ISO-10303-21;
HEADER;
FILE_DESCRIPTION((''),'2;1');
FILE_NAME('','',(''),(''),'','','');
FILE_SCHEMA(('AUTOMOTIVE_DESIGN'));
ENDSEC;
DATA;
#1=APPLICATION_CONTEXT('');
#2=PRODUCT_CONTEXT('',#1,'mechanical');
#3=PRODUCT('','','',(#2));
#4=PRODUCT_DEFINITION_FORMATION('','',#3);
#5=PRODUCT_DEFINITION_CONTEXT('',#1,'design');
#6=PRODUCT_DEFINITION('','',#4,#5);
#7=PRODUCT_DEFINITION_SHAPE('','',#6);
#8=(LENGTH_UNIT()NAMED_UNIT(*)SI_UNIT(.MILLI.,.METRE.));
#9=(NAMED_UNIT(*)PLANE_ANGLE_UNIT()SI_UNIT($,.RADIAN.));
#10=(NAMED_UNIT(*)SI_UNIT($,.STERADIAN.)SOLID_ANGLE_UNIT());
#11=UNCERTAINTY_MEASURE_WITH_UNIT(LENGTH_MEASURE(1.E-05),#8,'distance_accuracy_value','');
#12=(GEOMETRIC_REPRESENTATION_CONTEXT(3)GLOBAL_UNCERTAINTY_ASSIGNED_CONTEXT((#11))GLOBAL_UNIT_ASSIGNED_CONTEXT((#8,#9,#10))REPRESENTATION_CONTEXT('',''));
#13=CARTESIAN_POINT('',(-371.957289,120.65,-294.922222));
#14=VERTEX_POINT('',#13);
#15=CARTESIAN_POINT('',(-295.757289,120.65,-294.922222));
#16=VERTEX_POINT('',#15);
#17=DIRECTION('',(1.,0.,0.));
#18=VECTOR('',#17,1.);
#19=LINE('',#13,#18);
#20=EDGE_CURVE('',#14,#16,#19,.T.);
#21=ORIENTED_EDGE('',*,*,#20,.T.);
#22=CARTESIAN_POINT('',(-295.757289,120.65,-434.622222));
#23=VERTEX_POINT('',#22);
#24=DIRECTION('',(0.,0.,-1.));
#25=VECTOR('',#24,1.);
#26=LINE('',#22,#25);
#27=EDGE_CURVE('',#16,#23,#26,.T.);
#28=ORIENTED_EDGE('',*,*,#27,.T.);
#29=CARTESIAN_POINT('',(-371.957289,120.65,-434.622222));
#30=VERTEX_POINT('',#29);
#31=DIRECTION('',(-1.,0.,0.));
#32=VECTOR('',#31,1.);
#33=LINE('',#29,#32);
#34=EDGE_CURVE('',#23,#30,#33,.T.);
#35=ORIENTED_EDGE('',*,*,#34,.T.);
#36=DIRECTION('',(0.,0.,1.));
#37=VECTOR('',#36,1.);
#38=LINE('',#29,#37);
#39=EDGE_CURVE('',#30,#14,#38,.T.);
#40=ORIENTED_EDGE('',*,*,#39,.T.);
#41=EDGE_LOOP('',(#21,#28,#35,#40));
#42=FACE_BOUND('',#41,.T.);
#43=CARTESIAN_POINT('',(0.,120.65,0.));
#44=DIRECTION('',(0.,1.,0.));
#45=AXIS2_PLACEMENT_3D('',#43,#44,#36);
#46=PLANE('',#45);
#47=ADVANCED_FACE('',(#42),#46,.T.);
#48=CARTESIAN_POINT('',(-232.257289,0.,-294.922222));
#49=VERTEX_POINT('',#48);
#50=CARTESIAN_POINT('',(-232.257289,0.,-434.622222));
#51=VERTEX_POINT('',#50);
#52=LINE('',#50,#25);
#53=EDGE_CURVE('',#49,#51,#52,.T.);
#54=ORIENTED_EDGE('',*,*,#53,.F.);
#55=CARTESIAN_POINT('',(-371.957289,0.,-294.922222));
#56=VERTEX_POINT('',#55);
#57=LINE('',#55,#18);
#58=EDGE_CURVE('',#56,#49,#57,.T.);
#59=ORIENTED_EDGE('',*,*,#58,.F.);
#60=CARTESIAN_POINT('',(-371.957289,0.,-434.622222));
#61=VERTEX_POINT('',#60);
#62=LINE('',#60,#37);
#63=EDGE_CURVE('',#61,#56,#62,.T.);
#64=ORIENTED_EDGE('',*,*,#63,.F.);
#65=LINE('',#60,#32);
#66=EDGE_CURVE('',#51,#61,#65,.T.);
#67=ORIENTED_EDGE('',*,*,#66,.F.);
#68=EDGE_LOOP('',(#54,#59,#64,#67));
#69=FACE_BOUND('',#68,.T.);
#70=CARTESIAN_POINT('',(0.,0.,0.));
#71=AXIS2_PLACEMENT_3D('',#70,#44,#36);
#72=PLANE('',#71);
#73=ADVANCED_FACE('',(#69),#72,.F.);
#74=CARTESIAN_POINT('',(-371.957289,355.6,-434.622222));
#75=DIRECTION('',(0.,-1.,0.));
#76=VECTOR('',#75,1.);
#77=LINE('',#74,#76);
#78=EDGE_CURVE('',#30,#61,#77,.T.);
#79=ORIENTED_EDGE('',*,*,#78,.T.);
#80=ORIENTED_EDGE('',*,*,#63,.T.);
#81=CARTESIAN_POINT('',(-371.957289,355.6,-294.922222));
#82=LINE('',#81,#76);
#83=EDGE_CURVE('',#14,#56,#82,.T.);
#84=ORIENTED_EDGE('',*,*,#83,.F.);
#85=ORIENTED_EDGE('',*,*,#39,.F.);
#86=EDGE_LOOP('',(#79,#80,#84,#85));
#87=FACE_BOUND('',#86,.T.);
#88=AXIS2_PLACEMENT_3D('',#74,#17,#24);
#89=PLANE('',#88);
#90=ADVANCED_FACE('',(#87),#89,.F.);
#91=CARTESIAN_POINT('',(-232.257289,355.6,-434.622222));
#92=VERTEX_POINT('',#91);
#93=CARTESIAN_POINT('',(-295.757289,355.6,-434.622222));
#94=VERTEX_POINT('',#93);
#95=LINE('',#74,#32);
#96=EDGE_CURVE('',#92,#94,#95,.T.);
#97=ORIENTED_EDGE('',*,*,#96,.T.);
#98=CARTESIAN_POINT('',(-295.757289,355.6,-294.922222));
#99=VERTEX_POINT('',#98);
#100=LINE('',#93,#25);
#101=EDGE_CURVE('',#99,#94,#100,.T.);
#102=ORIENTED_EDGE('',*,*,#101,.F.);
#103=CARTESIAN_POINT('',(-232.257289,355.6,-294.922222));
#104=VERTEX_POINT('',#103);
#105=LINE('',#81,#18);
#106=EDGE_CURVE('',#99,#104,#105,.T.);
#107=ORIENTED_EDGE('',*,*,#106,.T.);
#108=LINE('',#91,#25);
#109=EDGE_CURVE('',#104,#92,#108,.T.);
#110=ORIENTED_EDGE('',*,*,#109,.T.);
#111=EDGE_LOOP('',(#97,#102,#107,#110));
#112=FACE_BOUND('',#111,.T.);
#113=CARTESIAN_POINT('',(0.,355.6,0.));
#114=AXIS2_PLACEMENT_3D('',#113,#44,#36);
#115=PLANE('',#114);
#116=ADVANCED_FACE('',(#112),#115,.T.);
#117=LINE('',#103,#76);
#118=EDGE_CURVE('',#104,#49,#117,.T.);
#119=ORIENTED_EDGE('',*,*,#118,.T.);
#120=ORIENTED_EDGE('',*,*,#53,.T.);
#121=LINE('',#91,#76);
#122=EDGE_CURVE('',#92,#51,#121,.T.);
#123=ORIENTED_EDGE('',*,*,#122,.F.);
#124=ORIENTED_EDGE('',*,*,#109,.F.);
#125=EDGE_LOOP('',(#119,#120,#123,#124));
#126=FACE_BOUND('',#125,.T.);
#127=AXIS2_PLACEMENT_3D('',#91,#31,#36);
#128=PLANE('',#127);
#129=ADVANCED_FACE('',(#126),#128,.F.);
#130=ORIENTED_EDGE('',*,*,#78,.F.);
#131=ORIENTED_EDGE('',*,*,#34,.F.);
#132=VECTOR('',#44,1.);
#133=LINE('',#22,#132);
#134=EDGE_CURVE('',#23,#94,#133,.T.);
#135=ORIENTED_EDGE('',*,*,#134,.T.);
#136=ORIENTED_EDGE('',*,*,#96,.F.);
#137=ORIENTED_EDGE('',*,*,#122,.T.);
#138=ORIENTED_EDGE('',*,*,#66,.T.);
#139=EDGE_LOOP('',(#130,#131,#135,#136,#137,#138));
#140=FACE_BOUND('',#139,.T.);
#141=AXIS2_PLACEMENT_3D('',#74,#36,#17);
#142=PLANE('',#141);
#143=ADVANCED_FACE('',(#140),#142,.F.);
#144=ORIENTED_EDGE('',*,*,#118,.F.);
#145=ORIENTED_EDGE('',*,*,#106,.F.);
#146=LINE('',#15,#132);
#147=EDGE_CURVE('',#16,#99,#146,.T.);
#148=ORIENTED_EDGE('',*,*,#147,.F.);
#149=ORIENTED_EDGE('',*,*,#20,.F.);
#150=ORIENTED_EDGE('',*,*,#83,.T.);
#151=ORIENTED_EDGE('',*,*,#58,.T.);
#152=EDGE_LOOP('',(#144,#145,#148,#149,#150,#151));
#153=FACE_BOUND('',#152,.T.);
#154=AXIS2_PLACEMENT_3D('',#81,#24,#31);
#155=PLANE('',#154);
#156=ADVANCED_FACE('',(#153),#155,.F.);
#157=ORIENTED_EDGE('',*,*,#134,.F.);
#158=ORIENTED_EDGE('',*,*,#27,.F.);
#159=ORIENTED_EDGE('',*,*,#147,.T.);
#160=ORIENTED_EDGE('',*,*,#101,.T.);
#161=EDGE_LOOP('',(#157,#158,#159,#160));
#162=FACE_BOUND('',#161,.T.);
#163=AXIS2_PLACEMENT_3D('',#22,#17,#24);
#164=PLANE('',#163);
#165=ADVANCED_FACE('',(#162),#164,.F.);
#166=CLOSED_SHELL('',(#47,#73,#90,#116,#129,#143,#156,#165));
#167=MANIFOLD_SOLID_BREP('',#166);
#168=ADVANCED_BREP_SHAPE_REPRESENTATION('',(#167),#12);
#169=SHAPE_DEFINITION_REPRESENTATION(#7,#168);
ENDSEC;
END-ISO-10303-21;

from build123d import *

# Parameters (mm, degrees)
SKETCH1_W           = 139.7
SKETCH1_H           = 139.7
BOSS_EXTRUDE1_DEPTH = 355.6
SKETCH3_W           = 76.2
SKETCH3_H           = 139.7
CUT_EXTRUDE1_DEPTH  = 234.95


with BuildPart() as part:
    # Sketch1 → Boss-Extrude1 (new body)
    with BuildSketch(Plane(origin=(0, 0, 0), x_dir=(1, 0, 0), z_dir=(0, 1, 0))):
        with Locations((-302.107289173, 364.772222222)):
            Rectangle(SKETCH1_W, SKETCH1_H)
    extrude(amount=BOSS_EXTRUDE1_DEPTH)

    # Sketch3 → Cut-Extrude1 (cut)
    with BuildSketch(Plane(origin=(0, 355.6, 0), x_dir=(1, 0, 0), z_dir=(0, 1, 0))):
        with Locations((-333.857289173, 364.772222222)):
            Rectangle(SKETCH3_W, SKETCH3_H)
    extrude(amount=-CUT_EXTRUDE1_DEPTH, mode=Mode.SUBTRACT)


solid = part.part
